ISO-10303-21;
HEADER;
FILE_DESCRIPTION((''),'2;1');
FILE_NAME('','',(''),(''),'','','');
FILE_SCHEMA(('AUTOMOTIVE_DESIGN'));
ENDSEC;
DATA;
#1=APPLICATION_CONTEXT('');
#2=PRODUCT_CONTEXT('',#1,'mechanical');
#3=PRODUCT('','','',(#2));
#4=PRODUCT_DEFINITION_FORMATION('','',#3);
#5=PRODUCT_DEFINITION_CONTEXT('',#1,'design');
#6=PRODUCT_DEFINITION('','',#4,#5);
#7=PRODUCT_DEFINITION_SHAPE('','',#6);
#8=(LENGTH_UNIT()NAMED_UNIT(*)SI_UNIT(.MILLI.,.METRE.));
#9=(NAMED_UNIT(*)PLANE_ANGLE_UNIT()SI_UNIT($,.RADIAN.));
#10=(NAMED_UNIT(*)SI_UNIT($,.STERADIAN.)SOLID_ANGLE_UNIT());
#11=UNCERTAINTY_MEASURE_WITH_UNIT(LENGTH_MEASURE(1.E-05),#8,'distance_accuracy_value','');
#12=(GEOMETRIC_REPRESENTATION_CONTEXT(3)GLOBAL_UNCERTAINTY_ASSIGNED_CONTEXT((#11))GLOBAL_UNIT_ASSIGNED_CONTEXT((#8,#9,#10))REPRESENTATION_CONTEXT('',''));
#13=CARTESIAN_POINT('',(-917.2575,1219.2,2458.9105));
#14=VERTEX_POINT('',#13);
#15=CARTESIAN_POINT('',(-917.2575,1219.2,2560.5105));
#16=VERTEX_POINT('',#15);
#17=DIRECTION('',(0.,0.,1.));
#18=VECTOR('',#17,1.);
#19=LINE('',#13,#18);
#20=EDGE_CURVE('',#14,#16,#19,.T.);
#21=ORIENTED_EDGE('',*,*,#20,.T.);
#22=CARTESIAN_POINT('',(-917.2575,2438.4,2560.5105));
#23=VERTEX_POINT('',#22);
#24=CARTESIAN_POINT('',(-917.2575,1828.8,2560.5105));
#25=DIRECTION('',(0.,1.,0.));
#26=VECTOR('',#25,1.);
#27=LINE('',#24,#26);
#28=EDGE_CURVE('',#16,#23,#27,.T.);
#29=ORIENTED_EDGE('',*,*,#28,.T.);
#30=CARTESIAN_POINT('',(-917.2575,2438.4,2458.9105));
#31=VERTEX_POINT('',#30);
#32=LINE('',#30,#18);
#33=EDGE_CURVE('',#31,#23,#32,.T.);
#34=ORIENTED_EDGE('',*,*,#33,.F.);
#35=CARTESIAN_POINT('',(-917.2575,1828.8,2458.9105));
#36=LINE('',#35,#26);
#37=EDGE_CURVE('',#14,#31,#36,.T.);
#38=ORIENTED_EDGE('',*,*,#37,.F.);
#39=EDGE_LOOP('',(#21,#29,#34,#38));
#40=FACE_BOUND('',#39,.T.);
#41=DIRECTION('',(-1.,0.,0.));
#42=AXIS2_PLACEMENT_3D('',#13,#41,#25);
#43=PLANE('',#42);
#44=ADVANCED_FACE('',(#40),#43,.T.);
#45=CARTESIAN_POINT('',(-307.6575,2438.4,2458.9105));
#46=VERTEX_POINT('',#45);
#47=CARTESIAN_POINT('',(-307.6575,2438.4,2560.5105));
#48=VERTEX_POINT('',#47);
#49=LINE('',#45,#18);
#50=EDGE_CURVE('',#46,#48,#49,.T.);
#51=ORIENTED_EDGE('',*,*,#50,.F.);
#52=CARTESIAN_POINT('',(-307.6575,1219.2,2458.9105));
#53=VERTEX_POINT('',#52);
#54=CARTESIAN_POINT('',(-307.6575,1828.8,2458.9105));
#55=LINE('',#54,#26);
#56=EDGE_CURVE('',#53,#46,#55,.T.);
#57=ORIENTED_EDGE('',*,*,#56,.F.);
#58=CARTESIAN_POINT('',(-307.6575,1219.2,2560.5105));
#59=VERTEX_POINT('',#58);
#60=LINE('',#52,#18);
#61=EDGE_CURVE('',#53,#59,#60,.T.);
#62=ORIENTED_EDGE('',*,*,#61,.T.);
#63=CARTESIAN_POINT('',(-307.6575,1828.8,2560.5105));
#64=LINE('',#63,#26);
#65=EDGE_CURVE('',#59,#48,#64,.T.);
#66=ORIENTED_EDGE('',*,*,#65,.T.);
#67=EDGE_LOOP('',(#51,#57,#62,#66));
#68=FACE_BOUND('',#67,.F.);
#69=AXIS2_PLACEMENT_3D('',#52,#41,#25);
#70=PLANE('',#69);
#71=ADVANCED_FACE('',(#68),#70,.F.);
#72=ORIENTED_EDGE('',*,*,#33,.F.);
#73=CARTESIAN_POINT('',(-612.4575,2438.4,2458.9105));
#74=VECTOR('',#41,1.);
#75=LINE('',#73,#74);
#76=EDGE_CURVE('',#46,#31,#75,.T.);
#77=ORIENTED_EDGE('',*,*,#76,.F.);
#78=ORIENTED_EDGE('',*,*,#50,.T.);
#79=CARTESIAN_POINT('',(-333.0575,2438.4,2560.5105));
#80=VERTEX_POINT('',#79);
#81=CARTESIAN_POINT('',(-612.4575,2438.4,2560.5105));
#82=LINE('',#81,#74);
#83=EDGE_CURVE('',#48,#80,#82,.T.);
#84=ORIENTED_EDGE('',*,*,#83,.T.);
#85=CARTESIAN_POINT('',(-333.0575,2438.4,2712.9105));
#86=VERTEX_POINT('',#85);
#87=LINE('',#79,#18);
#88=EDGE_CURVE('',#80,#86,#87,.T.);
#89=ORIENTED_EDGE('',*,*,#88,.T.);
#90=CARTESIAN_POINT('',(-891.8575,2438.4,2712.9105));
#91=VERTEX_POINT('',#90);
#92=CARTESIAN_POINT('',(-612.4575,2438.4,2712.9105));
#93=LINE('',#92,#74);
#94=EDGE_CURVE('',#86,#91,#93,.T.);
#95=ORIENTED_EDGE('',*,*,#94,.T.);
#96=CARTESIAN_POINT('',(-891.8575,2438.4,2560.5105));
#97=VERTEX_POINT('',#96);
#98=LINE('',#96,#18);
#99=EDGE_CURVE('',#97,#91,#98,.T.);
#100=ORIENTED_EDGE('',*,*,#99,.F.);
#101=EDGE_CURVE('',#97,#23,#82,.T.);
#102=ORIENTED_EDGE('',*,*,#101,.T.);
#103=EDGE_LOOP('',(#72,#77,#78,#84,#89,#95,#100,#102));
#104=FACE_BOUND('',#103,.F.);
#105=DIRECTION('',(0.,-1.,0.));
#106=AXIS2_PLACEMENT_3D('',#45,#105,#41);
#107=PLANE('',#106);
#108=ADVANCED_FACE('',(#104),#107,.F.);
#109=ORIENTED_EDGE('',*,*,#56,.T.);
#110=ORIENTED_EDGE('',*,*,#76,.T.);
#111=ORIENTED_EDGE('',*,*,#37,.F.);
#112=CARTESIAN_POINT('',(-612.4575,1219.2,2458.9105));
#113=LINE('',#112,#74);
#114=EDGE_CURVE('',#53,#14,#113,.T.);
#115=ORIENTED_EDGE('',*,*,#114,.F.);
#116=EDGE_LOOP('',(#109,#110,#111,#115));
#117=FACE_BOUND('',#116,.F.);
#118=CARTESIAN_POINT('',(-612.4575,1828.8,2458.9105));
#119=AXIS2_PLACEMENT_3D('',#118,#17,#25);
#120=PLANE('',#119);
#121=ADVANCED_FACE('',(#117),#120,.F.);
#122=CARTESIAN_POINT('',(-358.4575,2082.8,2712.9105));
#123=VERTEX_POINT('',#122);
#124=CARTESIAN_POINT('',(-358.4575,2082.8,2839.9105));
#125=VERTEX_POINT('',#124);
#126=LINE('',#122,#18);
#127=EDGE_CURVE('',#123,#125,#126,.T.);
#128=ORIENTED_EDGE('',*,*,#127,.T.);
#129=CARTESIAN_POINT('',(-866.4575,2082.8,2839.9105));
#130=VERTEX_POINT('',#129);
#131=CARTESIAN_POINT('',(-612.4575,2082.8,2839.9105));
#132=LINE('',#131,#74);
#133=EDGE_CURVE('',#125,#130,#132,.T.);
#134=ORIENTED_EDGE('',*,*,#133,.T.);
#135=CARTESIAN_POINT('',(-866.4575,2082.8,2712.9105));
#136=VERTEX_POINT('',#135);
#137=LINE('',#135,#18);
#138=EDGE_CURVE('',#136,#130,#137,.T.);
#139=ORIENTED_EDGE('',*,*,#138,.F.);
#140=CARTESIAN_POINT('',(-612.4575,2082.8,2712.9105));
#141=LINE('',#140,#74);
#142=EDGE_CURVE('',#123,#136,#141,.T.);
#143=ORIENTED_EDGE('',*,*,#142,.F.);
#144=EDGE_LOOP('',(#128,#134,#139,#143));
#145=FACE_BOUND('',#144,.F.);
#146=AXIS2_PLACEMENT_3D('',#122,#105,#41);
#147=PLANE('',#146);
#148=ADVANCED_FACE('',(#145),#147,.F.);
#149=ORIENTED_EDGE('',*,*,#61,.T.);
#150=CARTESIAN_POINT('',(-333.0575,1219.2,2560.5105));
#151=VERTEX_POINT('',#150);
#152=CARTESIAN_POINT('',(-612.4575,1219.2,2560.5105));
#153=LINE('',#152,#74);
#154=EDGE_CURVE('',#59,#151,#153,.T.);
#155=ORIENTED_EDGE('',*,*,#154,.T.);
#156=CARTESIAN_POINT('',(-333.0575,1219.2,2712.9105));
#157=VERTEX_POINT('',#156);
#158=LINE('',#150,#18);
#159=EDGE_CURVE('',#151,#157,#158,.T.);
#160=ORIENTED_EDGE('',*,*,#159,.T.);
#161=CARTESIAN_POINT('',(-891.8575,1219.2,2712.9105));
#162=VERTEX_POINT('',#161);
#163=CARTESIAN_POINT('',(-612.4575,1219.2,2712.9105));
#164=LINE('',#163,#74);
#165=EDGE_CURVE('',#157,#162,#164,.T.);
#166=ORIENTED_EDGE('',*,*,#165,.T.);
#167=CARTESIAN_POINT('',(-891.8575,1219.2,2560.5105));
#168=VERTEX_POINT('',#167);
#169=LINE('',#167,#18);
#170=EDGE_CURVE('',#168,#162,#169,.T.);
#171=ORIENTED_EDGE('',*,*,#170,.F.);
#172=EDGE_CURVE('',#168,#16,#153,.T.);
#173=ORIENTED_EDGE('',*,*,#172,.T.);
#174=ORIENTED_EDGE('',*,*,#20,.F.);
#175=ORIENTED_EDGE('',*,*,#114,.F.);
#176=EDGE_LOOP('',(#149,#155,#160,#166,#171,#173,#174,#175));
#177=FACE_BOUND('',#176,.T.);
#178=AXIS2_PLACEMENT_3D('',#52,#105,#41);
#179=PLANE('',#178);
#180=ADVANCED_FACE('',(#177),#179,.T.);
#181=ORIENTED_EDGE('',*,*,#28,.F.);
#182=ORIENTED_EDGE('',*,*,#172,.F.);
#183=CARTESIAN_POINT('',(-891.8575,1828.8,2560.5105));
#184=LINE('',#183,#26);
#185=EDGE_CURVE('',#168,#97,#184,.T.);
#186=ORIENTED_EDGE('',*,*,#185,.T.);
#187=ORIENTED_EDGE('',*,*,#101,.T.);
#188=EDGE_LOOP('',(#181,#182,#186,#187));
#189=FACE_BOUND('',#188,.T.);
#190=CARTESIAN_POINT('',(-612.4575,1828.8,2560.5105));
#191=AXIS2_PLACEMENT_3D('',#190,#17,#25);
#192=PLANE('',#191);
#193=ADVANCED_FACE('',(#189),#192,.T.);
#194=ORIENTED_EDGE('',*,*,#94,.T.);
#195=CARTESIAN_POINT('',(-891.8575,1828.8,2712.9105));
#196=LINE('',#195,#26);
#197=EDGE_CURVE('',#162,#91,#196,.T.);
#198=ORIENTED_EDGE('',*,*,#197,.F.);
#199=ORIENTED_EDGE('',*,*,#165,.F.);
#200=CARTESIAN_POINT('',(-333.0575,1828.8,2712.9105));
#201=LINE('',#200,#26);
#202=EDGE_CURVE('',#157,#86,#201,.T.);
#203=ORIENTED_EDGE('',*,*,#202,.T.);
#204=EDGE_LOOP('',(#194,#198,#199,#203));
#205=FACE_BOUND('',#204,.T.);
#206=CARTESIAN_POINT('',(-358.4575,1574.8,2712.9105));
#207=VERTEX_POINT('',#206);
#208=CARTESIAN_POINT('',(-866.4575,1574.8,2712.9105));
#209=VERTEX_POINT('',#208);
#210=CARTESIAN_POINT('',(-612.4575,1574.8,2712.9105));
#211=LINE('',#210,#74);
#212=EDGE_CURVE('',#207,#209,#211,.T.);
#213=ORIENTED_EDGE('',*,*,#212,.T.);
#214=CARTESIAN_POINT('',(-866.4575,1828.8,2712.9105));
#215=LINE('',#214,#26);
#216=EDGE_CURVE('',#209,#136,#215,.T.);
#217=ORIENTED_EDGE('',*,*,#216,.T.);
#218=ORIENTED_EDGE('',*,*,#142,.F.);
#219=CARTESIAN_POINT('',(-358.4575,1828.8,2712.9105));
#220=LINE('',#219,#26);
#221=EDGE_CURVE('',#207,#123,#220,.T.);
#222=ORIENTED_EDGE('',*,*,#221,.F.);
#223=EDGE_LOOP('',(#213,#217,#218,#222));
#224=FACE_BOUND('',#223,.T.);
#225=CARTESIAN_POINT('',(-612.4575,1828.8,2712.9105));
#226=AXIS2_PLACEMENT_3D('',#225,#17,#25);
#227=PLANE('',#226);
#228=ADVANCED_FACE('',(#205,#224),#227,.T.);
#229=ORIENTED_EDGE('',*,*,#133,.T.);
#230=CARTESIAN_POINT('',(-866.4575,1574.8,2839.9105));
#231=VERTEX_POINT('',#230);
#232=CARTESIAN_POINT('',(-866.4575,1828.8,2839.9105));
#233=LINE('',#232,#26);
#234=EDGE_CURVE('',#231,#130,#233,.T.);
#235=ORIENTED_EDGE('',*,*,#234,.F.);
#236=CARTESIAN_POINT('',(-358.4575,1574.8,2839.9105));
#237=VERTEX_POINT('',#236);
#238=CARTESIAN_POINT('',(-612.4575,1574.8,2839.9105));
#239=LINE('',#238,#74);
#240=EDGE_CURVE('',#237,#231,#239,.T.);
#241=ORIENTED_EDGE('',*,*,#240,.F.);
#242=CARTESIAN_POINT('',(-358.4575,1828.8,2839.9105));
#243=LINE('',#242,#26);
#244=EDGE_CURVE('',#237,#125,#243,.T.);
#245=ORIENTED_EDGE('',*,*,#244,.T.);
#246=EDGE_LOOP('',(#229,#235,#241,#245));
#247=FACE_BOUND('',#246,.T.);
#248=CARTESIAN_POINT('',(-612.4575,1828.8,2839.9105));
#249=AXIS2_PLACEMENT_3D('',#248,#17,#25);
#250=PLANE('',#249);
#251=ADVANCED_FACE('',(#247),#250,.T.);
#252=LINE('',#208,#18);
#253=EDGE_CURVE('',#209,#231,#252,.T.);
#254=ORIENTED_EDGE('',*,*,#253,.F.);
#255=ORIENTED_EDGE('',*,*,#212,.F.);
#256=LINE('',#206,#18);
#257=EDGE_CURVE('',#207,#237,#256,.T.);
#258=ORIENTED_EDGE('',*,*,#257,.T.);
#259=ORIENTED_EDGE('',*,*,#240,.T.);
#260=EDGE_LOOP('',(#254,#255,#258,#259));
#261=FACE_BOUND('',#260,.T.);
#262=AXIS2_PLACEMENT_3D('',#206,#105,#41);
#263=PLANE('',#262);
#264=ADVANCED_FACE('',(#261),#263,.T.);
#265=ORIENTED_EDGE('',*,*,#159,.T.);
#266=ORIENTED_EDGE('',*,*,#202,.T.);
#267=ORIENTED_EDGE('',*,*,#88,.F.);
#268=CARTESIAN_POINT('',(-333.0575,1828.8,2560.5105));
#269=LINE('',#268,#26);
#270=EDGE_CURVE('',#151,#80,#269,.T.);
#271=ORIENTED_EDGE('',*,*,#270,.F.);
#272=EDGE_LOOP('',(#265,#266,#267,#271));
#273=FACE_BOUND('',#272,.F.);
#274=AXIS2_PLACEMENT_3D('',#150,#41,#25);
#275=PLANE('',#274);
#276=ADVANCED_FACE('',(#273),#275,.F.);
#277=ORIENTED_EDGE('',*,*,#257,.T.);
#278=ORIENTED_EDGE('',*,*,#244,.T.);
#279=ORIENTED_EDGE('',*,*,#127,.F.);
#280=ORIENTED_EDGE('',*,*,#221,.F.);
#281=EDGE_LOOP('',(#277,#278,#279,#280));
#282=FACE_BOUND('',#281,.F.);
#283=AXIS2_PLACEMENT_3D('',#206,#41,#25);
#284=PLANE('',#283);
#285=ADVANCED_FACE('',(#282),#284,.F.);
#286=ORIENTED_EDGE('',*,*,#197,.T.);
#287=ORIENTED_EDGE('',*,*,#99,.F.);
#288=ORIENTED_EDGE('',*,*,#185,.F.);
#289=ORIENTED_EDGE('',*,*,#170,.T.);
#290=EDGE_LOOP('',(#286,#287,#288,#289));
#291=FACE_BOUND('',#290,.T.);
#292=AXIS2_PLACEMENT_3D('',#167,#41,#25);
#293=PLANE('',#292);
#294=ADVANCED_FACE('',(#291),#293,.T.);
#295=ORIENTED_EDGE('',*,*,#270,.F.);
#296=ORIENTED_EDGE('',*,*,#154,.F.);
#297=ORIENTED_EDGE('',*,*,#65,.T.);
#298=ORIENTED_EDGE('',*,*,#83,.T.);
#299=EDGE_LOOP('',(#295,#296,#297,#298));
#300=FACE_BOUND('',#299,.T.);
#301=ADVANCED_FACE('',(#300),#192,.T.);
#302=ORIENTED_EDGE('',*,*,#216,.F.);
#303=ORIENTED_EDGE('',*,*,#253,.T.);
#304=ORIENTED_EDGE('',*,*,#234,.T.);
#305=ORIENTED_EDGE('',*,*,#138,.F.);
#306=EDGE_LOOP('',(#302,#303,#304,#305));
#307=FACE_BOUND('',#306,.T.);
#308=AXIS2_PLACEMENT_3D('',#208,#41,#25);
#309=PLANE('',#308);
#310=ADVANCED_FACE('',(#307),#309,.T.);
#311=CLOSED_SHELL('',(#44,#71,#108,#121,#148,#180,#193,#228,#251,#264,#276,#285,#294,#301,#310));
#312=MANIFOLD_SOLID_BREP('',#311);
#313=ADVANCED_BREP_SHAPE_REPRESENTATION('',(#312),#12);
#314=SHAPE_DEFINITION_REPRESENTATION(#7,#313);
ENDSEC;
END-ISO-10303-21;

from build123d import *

# Parameters (mm, degrees)
SKETCH_W             = 1219.2
SKETCH_H             = 609.6
PAD_DEPTH            = 101.6
SKETCH001_W          = 1219.2
SKETCH001_H          = 558.8
PAD001_DEPTH         = 152.4
SKETCH002_W          = 508
SKETCH002_H          = 508
PAD002_DEPTH         = 127
BODY_PLACEMENT_ANGLE = 90


with BuildPart() as part:
    # Sketch → Pad (new body)
    with BuildSketch(Plane.XY):
        with Locations((609.6, 304.8)):
            Rectangle(SKETCH_W, SKETCH_H)
    extrude(amount=PAD_DEPTH)

    # Sketch001 (on Face6 of Pad) → Pad001 (join)
    with BuildSketch(Plane.XY.offset(101.6)):
        with Locations((609.6, 304.8)):
            Rectangle(SKETCH001_W, SKETCH001_H)
    extrude(amount=PAD001_DEPTH)

    # Sketch002 (on Face12 of Pad001) → Pad002 (join)
    with BuildSketch(Plane.XY.offset(254)):
        with Locations((609.6, 304.8)):
            Rectangle(SKETCH002_W, SKETCH002_H)
    extrude(amount=PAD002_DEPTH)


with BuildPart() as part_1:
    # Body placement: moved
    add(part.part.moved(Location((-307.6575, 1219.2, 2458.9105))).rotate(Axis((-307.6575, 1219.2, 2458.9105), (0, 0, 1)), BODY_PLACEMENT_ANGLE))


solid = part_1.part
